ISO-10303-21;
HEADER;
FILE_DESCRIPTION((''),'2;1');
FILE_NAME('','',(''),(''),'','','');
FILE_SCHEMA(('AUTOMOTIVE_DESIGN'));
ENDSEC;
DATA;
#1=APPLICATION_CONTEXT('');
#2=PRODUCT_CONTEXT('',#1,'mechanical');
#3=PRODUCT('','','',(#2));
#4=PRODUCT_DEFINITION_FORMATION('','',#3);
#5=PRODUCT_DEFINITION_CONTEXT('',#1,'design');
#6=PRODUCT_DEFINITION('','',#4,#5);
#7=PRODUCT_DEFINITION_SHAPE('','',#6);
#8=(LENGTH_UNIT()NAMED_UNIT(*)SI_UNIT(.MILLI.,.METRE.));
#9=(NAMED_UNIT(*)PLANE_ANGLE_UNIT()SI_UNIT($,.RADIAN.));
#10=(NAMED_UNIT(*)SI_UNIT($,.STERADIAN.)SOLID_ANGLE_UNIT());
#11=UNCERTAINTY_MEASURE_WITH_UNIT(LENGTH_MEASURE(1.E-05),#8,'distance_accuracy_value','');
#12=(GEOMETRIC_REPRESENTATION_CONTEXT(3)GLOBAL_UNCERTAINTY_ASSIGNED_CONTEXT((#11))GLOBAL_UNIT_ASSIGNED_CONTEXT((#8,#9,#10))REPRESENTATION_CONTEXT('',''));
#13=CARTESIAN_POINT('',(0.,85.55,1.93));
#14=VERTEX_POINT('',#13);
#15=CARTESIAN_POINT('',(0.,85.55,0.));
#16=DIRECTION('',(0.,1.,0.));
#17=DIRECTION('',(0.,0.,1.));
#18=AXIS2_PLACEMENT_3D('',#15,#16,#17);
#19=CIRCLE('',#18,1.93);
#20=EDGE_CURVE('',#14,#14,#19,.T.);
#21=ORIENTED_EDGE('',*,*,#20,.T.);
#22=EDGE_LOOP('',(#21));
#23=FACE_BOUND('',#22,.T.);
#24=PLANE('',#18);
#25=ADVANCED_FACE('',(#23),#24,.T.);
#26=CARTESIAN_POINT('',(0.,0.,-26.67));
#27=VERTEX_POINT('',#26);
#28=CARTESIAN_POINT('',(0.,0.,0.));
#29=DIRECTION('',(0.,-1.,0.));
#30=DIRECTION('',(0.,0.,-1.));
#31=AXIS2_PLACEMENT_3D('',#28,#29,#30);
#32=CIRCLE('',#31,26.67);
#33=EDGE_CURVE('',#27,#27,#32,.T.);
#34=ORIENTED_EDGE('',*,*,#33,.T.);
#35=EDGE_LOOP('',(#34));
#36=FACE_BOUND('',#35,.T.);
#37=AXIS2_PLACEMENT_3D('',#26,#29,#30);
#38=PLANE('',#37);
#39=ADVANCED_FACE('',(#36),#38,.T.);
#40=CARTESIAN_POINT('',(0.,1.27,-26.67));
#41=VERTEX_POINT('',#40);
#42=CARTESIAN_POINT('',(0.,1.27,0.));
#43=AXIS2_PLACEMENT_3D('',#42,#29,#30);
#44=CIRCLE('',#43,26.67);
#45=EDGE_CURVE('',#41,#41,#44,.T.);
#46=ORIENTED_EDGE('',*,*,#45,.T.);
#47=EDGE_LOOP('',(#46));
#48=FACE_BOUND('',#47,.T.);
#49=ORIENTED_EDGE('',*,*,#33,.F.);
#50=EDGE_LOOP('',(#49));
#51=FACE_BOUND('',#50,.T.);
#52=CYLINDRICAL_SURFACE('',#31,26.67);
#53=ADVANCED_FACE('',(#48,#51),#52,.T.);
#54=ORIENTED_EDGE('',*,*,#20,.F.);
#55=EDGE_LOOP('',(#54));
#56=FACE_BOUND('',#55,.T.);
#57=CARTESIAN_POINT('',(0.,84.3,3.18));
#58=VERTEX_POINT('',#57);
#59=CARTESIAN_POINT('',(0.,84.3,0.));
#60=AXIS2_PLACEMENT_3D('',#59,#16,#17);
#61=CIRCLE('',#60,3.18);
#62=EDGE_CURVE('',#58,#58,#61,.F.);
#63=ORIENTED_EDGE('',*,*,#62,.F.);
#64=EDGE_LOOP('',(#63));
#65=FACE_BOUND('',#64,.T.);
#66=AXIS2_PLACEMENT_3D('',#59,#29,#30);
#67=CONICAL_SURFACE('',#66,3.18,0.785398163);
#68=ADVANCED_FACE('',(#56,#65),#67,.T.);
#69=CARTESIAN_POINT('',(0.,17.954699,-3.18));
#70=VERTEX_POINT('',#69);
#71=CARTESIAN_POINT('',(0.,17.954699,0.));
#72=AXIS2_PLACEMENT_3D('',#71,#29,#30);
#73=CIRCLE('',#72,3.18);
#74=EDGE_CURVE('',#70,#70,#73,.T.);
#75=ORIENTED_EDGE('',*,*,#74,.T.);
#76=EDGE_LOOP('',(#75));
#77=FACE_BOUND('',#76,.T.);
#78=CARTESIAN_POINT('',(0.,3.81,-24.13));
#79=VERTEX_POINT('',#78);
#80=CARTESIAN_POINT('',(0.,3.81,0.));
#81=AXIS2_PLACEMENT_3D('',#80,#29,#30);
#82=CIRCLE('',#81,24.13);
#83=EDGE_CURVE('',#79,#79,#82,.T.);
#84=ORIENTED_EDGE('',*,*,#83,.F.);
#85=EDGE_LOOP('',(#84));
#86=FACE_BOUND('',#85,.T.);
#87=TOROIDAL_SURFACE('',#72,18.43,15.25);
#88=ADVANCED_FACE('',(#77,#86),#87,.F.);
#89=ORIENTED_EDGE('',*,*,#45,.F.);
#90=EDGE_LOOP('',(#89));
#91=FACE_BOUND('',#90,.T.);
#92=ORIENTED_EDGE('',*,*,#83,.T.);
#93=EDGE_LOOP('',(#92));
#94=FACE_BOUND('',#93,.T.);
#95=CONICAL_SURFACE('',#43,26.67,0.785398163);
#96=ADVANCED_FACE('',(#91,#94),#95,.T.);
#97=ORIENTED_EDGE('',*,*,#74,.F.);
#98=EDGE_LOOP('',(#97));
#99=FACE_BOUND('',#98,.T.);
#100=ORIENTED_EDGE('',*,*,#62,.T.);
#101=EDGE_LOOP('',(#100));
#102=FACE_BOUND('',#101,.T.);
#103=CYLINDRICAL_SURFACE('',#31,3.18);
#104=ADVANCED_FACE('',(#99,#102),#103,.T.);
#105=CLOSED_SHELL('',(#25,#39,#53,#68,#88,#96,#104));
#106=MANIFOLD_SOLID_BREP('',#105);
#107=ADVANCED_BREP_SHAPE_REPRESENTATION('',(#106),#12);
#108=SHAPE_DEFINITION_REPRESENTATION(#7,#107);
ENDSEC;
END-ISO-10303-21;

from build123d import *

# Parameters (mm, degrees)
CHAFL_N1_SIZE = 1.25


with BuildPart() as part:
    # Croquis1 → Revolución1 (revolve)
    with BuildSketch(Plane(origin=(0, 0, 0), x_dir=(0, 0, -1), z_dir=(1, 0, 0))):
        with BuildLine():
            Line((0, 0), (0, 85.55))
            Line((0, 85.55), (3.18, 85.55))
            Line((3.18, 85.55), (3.18, 17.954698654))
            ThreePointArc((3.18, 17.954698654), (9.896609701, 5.315721242), (24.13, 3.81))
            Line((24.13, 3.81), (26.67, 1.27))
            Line((26.67, 1.27), (26.67, 0))
            Line((26.67, 0), (0, 0))
        make_face()
    revolve(axis=Axis((0, 0, 0), (0, 1, 0)))

    # Chaflán1
    chafl_n1_edges = [part.edges().sort_by_distance(p)[0] for p in [
        (0, 85.55, 3.18),
    ]]
    chamfer(chafl_n1_edges, length=CHAFL_N1_SIZE)


solid = part.part
